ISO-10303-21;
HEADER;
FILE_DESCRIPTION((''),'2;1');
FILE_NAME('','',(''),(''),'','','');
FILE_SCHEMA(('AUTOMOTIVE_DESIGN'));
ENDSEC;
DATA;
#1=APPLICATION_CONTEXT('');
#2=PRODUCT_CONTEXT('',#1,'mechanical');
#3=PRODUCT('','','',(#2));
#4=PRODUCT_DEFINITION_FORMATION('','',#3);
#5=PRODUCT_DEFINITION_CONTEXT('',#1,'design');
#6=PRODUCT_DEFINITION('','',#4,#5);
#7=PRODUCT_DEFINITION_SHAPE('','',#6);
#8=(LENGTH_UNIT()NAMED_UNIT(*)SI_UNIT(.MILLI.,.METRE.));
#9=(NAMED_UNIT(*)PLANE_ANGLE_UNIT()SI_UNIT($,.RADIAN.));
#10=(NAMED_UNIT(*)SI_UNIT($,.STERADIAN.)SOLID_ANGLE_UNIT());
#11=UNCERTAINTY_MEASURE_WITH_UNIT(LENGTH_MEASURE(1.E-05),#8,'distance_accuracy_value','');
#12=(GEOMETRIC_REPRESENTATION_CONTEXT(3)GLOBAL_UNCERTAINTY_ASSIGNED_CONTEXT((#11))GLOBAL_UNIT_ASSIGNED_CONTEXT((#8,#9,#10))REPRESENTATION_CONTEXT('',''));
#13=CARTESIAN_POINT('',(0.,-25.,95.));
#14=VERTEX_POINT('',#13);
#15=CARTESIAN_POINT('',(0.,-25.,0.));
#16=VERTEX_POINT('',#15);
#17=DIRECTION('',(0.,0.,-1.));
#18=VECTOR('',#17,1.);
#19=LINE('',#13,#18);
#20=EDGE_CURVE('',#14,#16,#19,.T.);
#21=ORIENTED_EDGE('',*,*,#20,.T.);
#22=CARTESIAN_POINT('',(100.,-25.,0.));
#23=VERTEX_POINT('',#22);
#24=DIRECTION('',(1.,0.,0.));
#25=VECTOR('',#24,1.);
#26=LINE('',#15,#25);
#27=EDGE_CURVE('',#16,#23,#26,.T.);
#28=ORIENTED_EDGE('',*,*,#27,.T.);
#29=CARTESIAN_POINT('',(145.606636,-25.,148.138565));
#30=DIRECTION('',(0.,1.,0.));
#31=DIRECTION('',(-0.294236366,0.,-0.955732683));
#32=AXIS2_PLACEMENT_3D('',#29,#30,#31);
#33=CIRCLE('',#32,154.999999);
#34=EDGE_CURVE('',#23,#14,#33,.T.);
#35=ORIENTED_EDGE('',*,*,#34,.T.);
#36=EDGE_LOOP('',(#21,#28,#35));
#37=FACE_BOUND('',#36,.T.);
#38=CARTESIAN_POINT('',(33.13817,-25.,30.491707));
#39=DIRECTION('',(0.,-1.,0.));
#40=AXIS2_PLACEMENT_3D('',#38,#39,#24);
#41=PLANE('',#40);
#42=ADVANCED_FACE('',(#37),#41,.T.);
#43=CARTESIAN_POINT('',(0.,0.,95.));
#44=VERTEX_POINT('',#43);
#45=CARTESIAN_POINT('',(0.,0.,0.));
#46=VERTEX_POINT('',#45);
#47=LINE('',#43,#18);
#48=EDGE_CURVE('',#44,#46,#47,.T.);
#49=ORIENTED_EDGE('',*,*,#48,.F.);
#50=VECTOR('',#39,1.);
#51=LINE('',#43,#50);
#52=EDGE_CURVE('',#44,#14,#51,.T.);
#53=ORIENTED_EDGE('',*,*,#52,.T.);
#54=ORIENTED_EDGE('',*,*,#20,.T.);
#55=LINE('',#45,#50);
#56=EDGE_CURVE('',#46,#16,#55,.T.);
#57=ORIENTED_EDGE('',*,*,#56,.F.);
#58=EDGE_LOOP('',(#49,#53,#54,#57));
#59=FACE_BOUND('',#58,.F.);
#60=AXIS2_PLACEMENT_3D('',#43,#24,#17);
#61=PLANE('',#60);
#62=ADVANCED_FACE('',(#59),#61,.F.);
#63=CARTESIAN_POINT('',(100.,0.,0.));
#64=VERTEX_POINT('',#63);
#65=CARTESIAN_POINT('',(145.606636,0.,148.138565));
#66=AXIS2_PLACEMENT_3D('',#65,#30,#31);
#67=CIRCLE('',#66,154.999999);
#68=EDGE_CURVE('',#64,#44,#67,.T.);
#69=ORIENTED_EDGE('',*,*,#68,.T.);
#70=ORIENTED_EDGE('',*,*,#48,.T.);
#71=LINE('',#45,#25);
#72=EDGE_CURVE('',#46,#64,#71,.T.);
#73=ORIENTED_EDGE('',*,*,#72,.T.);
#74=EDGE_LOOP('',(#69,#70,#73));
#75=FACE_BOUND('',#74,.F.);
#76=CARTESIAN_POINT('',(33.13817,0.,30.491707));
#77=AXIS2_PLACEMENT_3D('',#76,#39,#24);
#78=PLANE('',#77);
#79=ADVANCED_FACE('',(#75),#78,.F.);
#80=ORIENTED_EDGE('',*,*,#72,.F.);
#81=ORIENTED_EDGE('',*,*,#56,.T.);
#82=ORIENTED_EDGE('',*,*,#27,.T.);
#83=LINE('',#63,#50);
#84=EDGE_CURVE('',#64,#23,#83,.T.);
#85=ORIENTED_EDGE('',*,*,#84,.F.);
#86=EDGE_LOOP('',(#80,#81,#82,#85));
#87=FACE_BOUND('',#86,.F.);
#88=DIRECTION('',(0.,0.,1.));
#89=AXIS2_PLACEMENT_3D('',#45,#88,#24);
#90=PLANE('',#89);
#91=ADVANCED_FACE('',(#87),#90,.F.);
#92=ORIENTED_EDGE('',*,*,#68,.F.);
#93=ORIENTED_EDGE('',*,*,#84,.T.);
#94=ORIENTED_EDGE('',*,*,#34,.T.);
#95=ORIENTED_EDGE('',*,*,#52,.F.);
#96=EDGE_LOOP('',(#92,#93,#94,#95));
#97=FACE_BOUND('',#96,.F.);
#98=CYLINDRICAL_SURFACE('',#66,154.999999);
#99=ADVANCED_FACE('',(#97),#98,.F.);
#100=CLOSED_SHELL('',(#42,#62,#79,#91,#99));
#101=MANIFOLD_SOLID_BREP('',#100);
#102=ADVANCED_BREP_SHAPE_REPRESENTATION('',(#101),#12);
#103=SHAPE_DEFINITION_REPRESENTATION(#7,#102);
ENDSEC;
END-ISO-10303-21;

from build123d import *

# Parameters (mm, degrees)
F1_DEPTH = 25


with BuildPart() as f1:
    # F0 (on Front) → F1 (new body)
    with BuildSketch(Plane.XZ):
        with BuildLine():
            Line((0, 95), (0, 0))
            Line((0, 0), (100, 0))
            ThreePointArc((100, 0), (38.850471, 35.763653), (0, 95))
        make_face()
    extrude(amount=F1_DEPTH)


solid = f1.part
